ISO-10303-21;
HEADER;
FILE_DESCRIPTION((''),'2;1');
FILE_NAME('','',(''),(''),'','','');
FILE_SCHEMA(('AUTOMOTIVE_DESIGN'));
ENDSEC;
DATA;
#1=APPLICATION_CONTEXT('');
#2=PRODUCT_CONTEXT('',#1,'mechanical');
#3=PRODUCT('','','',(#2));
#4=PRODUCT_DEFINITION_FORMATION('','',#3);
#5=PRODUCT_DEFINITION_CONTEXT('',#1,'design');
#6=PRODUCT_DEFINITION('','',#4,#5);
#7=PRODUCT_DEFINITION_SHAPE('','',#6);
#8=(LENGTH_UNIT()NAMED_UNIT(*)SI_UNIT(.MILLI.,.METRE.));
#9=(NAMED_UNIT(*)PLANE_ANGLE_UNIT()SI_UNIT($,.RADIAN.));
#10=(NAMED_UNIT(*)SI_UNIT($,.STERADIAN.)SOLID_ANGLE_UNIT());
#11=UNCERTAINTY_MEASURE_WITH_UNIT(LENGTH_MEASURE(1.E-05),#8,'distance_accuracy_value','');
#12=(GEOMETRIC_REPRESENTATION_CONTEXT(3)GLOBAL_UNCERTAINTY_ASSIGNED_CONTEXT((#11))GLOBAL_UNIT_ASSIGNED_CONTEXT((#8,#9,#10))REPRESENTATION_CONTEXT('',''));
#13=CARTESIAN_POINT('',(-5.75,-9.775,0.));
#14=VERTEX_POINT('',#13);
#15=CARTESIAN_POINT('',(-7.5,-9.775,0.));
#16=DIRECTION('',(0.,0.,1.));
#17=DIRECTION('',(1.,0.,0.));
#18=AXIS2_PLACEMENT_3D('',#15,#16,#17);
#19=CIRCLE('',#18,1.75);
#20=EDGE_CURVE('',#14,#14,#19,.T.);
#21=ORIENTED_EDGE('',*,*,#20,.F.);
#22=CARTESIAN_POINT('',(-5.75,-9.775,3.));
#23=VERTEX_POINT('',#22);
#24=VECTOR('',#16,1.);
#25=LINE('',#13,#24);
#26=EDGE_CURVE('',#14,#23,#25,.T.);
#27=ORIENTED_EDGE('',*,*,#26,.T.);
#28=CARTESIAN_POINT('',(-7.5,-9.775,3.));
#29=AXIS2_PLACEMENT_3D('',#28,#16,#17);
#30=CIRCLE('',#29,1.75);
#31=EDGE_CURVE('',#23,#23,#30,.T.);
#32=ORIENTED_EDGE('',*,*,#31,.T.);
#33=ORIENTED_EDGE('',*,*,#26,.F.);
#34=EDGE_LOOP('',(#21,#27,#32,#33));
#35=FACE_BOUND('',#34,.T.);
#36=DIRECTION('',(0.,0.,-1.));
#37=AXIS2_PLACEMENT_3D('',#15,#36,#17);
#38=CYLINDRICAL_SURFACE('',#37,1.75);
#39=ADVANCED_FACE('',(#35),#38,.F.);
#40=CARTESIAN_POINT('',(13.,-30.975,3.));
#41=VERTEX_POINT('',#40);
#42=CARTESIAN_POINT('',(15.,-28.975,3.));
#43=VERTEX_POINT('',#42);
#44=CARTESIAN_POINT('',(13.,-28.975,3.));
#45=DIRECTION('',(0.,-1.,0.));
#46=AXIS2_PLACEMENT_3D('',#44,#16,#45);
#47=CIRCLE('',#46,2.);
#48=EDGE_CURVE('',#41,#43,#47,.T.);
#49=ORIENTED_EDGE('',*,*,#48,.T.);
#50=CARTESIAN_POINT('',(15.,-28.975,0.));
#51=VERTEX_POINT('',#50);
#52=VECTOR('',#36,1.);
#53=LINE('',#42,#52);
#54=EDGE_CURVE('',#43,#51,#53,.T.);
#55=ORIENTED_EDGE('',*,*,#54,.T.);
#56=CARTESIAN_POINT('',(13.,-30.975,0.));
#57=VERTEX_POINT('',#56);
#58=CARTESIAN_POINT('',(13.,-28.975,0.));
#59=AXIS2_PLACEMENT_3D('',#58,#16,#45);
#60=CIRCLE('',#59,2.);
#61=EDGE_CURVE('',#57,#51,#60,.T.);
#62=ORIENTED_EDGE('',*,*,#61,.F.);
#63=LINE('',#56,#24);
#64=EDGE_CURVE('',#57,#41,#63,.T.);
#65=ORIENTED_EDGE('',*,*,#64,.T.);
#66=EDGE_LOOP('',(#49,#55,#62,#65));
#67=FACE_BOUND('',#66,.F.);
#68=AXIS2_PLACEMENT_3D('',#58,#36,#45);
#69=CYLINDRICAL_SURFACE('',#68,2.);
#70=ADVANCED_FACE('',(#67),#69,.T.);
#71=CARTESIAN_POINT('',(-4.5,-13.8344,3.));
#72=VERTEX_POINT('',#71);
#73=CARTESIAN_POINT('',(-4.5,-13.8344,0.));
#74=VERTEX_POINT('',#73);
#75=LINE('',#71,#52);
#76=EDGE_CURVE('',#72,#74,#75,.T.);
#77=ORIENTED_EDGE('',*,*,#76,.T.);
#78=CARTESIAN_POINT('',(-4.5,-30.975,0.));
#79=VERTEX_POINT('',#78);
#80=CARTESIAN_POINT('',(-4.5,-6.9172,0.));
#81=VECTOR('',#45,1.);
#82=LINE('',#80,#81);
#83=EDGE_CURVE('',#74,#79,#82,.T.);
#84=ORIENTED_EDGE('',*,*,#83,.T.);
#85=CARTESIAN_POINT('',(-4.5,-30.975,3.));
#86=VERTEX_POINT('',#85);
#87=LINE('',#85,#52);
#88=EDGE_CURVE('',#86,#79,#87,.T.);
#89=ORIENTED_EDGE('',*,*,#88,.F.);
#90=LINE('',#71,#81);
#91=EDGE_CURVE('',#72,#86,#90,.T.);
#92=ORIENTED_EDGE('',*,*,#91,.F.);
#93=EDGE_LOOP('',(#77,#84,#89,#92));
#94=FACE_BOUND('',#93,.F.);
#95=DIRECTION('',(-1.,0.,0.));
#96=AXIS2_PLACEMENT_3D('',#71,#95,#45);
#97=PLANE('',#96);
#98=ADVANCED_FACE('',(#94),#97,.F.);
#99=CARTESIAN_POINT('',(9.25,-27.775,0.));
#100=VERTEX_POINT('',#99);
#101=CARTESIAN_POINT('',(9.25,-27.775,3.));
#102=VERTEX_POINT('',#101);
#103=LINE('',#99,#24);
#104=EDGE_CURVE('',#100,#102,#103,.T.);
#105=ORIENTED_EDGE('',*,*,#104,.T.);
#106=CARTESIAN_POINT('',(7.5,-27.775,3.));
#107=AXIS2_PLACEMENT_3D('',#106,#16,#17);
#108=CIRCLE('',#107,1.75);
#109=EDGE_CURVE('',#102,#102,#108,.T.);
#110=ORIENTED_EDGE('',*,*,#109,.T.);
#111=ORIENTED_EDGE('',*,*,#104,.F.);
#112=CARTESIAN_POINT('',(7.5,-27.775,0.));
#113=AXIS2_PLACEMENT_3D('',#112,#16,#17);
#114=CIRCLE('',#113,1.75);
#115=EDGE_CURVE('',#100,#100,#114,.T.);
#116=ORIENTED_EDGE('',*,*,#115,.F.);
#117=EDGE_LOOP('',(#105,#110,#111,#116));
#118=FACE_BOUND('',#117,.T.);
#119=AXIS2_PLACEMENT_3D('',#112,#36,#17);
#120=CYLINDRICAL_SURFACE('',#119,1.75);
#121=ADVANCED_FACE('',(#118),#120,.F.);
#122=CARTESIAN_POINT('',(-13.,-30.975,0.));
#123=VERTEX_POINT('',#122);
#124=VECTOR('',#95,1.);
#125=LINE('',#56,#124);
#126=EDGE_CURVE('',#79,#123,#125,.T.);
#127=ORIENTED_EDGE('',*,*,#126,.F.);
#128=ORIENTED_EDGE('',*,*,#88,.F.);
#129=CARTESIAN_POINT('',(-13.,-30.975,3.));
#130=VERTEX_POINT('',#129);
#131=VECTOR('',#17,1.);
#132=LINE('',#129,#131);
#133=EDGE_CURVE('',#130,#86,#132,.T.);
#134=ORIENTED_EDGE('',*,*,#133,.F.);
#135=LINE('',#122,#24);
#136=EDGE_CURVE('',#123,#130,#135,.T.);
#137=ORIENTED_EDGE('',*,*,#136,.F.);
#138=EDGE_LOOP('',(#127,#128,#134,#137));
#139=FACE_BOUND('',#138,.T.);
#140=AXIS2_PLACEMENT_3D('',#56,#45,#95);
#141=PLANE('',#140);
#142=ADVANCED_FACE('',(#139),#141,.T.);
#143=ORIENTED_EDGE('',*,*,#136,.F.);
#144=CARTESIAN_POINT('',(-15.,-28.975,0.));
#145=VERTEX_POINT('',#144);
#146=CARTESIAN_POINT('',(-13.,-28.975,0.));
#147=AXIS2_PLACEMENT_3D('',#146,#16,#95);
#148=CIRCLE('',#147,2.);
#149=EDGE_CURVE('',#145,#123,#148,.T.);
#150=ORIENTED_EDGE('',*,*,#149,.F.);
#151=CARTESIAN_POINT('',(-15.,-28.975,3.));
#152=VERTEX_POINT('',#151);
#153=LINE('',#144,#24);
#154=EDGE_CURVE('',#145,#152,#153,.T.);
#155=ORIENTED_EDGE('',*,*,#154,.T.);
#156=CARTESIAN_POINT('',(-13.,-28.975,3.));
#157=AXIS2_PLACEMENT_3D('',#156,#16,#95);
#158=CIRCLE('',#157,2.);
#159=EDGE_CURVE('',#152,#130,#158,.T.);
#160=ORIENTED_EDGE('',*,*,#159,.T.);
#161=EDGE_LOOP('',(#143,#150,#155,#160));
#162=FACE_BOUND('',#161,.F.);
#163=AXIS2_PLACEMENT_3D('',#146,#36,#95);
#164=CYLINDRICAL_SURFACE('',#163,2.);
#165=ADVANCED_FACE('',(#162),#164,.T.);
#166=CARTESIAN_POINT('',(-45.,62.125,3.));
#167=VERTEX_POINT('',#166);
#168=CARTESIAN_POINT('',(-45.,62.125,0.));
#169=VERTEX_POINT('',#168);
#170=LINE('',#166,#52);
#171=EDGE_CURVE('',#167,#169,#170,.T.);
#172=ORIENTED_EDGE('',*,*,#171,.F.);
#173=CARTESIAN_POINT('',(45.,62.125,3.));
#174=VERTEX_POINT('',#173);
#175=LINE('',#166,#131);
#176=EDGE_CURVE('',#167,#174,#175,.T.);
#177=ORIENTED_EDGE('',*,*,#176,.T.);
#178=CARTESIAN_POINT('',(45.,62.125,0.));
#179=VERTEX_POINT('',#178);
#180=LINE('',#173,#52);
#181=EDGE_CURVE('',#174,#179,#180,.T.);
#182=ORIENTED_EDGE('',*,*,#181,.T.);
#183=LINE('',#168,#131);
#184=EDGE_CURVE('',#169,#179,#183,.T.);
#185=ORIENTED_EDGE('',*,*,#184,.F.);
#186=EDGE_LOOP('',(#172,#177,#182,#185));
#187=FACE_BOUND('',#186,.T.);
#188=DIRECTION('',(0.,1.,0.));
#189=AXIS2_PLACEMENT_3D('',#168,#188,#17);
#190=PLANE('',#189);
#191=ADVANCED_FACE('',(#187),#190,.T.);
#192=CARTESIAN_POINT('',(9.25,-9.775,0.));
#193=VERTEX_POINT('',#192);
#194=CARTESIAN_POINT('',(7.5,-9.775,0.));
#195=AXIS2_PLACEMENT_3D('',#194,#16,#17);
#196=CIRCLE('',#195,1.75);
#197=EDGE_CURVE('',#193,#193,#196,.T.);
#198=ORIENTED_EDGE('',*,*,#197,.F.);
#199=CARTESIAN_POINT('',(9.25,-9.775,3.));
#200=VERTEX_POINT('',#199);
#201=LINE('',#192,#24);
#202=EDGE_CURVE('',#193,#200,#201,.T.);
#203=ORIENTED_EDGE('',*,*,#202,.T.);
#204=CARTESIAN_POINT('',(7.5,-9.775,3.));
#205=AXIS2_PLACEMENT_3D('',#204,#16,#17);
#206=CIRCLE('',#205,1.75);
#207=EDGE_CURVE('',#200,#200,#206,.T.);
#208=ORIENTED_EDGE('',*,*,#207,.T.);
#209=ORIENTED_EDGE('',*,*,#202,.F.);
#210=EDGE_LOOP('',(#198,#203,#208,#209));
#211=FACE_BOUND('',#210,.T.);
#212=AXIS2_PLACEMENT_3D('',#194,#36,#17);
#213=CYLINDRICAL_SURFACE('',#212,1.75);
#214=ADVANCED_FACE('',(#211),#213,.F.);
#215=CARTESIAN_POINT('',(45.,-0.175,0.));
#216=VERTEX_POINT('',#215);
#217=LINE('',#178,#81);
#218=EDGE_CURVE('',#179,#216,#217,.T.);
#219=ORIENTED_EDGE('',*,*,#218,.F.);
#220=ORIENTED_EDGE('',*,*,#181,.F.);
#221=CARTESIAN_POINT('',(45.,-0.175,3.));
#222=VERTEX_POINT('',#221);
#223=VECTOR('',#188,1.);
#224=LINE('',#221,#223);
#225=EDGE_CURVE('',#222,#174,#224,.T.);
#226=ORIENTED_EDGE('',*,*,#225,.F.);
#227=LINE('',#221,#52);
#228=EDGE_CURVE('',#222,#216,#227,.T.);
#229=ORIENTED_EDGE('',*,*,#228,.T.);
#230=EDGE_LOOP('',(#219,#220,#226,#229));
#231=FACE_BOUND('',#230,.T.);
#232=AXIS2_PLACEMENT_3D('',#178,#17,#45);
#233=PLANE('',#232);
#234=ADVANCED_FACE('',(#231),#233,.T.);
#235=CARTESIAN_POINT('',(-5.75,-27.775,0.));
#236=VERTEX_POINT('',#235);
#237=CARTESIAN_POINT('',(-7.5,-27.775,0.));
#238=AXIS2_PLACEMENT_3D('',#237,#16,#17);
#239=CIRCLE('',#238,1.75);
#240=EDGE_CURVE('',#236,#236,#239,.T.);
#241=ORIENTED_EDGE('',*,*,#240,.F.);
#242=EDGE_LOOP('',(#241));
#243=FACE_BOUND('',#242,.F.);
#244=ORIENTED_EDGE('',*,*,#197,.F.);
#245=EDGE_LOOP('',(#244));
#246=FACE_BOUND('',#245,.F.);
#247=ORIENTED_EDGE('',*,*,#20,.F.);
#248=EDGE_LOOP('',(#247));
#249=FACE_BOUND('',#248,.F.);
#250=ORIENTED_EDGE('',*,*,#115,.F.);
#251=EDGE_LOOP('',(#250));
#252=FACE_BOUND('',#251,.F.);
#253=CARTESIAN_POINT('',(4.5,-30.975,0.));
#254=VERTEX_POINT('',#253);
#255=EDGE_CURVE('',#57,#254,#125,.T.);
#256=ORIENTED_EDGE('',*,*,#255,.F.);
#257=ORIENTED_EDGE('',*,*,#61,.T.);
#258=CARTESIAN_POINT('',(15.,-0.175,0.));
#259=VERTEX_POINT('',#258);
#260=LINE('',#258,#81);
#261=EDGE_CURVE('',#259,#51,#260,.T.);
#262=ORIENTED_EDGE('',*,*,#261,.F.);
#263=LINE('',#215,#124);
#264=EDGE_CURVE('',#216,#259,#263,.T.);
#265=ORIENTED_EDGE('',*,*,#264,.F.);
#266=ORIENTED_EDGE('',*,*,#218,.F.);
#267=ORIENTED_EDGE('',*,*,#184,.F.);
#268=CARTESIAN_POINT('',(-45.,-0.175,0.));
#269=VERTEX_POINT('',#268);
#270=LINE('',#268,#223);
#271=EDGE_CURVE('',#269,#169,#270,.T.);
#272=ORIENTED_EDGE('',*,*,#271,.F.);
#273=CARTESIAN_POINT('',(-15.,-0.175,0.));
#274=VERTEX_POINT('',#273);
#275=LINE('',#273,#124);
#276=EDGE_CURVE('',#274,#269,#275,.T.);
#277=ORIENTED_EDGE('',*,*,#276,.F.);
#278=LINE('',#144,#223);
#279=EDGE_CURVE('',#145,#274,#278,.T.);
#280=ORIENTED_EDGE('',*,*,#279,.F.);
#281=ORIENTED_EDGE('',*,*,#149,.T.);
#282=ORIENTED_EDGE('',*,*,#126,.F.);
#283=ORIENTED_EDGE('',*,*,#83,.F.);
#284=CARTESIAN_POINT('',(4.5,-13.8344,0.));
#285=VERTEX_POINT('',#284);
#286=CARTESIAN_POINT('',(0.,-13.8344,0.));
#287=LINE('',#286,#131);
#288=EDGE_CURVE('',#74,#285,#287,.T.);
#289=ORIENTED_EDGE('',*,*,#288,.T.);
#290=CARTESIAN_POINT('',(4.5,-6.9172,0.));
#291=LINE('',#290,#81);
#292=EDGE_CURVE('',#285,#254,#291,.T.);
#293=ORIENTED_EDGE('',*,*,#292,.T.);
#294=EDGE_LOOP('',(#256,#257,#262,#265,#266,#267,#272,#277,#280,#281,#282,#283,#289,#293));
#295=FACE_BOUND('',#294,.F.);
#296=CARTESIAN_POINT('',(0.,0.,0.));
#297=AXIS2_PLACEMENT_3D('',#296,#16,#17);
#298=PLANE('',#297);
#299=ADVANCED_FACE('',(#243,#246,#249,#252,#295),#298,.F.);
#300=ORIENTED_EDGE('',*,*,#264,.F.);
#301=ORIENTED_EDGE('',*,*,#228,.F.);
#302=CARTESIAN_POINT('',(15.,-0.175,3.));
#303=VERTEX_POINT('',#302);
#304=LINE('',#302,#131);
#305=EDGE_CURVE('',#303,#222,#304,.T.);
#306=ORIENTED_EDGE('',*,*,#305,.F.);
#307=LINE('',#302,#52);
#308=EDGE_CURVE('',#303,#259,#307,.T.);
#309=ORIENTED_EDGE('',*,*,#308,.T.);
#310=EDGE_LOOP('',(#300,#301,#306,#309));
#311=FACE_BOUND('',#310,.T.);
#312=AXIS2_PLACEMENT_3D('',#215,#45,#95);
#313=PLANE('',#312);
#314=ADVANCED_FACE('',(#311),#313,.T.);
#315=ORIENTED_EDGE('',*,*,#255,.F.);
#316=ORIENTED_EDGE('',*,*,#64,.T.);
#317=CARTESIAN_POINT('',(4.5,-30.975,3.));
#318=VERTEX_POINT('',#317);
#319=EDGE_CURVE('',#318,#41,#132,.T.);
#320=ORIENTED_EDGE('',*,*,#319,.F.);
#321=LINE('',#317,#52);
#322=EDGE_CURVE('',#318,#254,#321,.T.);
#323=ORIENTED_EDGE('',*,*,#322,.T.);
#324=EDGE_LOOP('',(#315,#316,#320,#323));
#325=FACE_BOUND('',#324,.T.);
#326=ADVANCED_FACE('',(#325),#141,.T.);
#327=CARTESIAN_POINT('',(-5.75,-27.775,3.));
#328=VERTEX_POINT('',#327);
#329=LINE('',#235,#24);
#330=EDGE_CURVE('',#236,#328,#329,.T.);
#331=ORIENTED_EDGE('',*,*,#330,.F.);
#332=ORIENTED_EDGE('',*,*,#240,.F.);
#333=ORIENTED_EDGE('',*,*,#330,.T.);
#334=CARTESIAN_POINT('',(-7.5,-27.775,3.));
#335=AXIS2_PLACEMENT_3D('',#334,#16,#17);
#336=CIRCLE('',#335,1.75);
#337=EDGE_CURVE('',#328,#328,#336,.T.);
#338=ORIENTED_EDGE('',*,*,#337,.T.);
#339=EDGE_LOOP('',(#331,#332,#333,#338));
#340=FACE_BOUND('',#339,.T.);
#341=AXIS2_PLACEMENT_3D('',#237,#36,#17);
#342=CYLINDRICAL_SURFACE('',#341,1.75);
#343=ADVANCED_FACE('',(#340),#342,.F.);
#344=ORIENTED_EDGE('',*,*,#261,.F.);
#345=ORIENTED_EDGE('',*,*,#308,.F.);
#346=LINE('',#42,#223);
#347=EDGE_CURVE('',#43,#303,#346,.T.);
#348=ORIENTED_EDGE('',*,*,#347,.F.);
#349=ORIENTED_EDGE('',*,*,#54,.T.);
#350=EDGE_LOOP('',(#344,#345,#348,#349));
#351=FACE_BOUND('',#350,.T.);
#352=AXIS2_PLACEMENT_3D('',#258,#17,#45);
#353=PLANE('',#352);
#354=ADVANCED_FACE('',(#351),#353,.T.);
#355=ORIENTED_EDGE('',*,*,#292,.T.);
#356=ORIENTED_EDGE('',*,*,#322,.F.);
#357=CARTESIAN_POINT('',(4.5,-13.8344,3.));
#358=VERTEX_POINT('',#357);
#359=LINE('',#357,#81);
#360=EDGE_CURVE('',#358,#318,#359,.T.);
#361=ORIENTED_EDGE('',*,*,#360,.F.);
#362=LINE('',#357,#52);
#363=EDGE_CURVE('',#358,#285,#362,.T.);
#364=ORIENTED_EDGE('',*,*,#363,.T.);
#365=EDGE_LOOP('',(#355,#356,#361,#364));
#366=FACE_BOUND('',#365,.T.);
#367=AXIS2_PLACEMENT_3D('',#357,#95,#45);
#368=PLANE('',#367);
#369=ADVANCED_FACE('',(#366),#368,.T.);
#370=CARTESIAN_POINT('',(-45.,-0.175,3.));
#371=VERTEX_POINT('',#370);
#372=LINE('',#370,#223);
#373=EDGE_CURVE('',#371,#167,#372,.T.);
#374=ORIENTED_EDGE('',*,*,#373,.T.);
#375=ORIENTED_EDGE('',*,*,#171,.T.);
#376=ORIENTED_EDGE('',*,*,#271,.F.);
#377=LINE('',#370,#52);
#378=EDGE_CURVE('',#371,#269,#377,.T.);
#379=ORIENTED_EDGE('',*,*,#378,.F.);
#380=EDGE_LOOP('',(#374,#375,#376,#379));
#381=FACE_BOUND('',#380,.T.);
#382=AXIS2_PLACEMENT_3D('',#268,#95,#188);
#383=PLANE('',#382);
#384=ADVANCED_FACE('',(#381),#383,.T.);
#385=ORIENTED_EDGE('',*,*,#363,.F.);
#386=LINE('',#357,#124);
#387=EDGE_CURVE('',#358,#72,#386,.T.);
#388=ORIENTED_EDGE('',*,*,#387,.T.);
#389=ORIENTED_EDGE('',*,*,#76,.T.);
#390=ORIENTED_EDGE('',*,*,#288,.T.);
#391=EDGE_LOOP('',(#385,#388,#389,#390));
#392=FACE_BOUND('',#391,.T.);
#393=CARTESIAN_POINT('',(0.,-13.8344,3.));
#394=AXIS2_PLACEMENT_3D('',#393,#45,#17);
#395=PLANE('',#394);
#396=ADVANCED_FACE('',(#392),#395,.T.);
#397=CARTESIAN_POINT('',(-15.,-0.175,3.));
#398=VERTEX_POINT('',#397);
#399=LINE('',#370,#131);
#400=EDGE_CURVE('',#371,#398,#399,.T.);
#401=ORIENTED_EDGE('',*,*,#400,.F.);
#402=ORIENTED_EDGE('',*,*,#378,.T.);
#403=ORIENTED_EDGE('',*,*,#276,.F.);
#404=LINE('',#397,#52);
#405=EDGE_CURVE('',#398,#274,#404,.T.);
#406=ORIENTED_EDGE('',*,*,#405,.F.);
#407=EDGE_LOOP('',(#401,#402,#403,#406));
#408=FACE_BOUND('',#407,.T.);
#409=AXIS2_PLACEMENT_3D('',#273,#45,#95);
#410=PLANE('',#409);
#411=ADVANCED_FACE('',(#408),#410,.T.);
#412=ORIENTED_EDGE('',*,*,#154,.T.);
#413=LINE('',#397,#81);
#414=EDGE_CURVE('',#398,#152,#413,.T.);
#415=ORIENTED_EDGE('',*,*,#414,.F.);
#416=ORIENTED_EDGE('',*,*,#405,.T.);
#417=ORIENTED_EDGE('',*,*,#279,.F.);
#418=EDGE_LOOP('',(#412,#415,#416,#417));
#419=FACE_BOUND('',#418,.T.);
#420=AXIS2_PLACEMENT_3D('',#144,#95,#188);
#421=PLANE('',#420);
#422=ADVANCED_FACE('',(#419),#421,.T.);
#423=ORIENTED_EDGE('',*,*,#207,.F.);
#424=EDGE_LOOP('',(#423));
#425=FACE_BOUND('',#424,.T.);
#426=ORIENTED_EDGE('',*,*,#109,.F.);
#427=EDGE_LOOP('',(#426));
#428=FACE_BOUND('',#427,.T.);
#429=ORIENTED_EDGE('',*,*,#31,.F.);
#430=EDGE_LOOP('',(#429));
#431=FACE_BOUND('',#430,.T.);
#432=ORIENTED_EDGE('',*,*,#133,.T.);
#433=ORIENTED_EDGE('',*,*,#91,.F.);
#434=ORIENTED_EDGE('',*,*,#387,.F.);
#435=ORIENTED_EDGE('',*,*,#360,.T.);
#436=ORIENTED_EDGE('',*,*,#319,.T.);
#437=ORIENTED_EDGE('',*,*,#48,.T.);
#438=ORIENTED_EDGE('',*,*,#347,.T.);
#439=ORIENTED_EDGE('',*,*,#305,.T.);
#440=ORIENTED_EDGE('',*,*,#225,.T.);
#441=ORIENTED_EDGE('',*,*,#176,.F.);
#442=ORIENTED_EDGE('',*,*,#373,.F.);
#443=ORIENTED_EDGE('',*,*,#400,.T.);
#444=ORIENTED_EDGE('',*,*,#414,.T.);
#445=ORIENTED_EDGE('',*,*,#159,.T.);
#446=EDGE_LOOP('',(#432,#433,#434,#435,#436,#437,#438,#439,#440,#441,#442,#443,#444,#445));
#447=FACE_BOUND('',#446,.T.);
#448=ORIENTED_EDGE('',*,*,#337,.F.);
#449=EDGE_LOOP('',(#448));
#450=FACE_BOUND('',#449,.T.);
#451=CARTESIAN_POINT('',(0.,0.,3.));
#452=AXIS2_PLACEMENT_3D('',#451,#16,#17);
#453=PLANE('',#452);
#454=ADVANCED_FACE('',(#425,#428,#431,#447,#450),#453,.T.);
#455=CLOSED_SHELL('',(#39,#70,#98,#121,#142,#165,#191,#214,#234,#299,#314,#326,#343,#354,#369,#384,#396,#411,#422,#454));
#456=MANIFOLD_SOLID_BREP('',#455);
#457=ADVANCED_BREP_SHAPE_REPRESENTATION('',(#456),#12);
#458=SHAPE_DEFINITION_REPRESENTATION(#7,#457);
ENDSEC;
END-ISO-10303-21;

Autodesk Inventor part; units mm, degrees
ref_plane "YZ Plane" through (0, 0, 0) normal (1, 0, 0) x (0, 1, 0)
ref_plane "XZ Plane" through (0, 0, 0) normal (0, 1, 0) x (-1, 0, 0)
ref_plane "XY Plane" through (0, 0, 0) normal (0, 0, 1) x (1, 0, 0)
sketch "Sketch1" plane through (0, 0, 0) normal (0, 0, 1) x (1, 0, 0)
  line L0 (-15, -28.975) -> (-15, -0.175) projected
  arc A0 (-15, -28.975) -> (-13, -30.975) centre (-13, -28.975) ccw projected
  line L1 (13, -30.975) -> (-13, -30.975) projected
  arc A1 (13, -30.975) -> (15, -28.975) centre (13, -28.975) ccw projected
  line L2 (15, -0.175) -> (15, -28.975) projected
  line L3 (45, -0.175) -> (15, -0.175) projected
  line L4 (45, 62.125) -> (45, -0.175) projected
  line L5 (-15, -0.175) -> (-45, -0.175) projected
  circle A2 centre (7.5, -27.775) radius 1.75 projected
  circle A3 centre (7.5, -9.775) radius 1.75 projected
  circle A4 centre (-7.5, -9.775) radius 1.75 projected
  circle A5 centre (-7.5, -27.775) radius 1.75 projected
  line L6 (-45, 62.125) -> (45, 62.125) projected
  line L7 (-45, -0.175) -> (-45, 62.125) projected
  point P0 (0, 0)
  point P1 (-45, 30.975)
extrude "Extrusion1" add sketch "Sketch1" along normal blind 1.5
sketch "Sketch2" plane through (0, 0, 1.5) normal (0, 0, 1) x (1, 0, 0)
  line L0 (-45, 30.975) -> (45, 30.975) projected
  line L1 (45, 62.125) -> (45, 30.975) projected
  line L2 (-45, 62.125) -> (45, 62.125) projected
  line L3 (-45, 30.975) -> (-45, 62.125) projected
  line L4 (15, -28.975) -> (15, -0.175) projected
  line L5 (15, -0.175) -> (45, -0.175) projected
  line L6 (45, -0.175) -> (45, 62.125) projected
  line L7 (-45, -0.175) -> (-15, -0.175) projected
  line L8 (-15, -0.175) -> (-15, -28.975) projected
  arc A0 (-15, -28.975) -> (-13, -30.975) centre (-13, -28.975) ccw projected
  line L9 (-13, -30.975) -> (13, -30.975) projected
  arc A1 (13, -30.975) -> (15, -28.975) centre (13, -28.975) ccw projected
  circle A2 centre (7.5, -27.775) radius 1.75 projected
  circle A3 centre (7.5, -9.775) radius 1.75 projected
  circle A4 centre (-7.5, -9.775) radius 1.75 projected
  circle A5 centre (-7.5, -27.775) radius 1.75 projected
  line L10 (45, 62.125) -> (-45, 62.125) projected
  line L11 (-45, 62.125) -> (-45, -0.175) projected
  point P0 (0, 0)
extrude "Extrusion2" add sketch "Sketch2" along normal blind 1.5
sketch "Sketch3" plane through (0, 0, 3) normal (0, 0, 1) x (1, 0, 0)
  line L0 (45, 62.125) -> (-45, 62.125) projected
  line L1 (-45, 62.125) -> (-45, -0.175) projected
  line L2 (-45, -0.175) -> (-15, -0.175) projected
  line L3 (-15, -0.175) -> (-15, -28.975) projected
  arc A0 (-15, -28.975) -> (-13, -30.975) centre (-13, -28.975) ccw projected
  line L4 (-13, -30.975) -> (13, -30.975) projected
  arc A1 (13, -30.975) -> (15, -28.975) centre (13, -28.975) ccw projected
  line L5 (15, -28.975) -> (15, -0.175) projected
  line L6 (15, -0.175) -> (45, -0.175) projected
  line L7 (45, -0.175) -> (45, 62.125) projected
  circle A2 centre (7.5, -27.775) radius 1.75 projected
  circle A3 centre (7.5, -9.775) radius 1.75 projected
  circle A4 centre (-7.5, -9.775) radius 1.75 projected
  circle A5 centre (-7.5, -27.775) radius 1.75 projected
  circle A6 centre (0, -18.775) radius 2.6186 projected
  line L8 (-13, -30.975) -> (13, -30.975) projected
  line L9 (0, -13.8344) -> (4.5, -13.8344)
  line L10 (4.5, -13.8344) -> (4.5, -30.975)
  line L11 (4.5, -30.975) -> (0, -30.975)
  line L12 (0, -30.975) -> (0, -13.8344)
  line L13 (0, -13.8344) -> (-4.5, -13.8344)
  line L14 (-4.5, -13.8344) -> (-4.5, -30.975)
  point P0 (0, 0)
  dimension "d4" = 4.5
extrude "Extrusion3" cut sketch "Sketch3" against normal through all contours L4 L12 A6 L9 L10 | L14 L13 L12 A6 L4 | L12 A6 | A6 L12
sketch "Sketch4" plane through (0, 0, 1.5) normal (0, 0, -1) x (-1, 0, 0)
  circle A0 centre (7.5, -27.775) radius 1.75 projected
  circle A1 centre (7.5, -9.775) radius 1.75 projected
  circle A2 centre (-7.5, -9.775) radius 1.75 projected
  circle A3 centre (-7.5, -27.775) radius 1.75 projected
  line L0 (4.5, -30.975) -> (4.5, -13.8344) projected
  line L1 (4.5, -13.8344) -> (-4.5, -13.8344) projected
  line L2 (-4.5, -13.8344) -> (-4.5, -30.975) projected
  line L3 (-4.5, -30.975) -> (-13, -30.975) projected
  arc A4 (-15, -28.975) -> (-13, -30.975) centre (-13, -28.975) ccw projected
  line L4 (-15, -28.975) -> (-15, -0.175) projected
  line L5 (-15, -0.175) -> (-45, -0.175) projected
  line L6 (-45, -0.175) -> (-45, 62.125) projected
  line L7 (-45, 62.125) -> (45, 62.125) projected
  line L8 (45, 62.125) -> (45, -0.175) projected
  line L9 (45, -0.175) -> (15, -0.175) projected
  line L10 (15, -0.175) -> (15, -28.975) projected
  arc A5 (13, -30.975) -> (15, -28.975) centre (13, -28.975) ccw projected
  line L11 (13, -30.975) -> (4.5, -30.975) projected
  line L12 (-45, 30.975) -> (45, 30.975) projected
  point P0 (0, 0)
extrude "Extrusion4" [suppressed]
properties part number "lead_1" material "Lead"
